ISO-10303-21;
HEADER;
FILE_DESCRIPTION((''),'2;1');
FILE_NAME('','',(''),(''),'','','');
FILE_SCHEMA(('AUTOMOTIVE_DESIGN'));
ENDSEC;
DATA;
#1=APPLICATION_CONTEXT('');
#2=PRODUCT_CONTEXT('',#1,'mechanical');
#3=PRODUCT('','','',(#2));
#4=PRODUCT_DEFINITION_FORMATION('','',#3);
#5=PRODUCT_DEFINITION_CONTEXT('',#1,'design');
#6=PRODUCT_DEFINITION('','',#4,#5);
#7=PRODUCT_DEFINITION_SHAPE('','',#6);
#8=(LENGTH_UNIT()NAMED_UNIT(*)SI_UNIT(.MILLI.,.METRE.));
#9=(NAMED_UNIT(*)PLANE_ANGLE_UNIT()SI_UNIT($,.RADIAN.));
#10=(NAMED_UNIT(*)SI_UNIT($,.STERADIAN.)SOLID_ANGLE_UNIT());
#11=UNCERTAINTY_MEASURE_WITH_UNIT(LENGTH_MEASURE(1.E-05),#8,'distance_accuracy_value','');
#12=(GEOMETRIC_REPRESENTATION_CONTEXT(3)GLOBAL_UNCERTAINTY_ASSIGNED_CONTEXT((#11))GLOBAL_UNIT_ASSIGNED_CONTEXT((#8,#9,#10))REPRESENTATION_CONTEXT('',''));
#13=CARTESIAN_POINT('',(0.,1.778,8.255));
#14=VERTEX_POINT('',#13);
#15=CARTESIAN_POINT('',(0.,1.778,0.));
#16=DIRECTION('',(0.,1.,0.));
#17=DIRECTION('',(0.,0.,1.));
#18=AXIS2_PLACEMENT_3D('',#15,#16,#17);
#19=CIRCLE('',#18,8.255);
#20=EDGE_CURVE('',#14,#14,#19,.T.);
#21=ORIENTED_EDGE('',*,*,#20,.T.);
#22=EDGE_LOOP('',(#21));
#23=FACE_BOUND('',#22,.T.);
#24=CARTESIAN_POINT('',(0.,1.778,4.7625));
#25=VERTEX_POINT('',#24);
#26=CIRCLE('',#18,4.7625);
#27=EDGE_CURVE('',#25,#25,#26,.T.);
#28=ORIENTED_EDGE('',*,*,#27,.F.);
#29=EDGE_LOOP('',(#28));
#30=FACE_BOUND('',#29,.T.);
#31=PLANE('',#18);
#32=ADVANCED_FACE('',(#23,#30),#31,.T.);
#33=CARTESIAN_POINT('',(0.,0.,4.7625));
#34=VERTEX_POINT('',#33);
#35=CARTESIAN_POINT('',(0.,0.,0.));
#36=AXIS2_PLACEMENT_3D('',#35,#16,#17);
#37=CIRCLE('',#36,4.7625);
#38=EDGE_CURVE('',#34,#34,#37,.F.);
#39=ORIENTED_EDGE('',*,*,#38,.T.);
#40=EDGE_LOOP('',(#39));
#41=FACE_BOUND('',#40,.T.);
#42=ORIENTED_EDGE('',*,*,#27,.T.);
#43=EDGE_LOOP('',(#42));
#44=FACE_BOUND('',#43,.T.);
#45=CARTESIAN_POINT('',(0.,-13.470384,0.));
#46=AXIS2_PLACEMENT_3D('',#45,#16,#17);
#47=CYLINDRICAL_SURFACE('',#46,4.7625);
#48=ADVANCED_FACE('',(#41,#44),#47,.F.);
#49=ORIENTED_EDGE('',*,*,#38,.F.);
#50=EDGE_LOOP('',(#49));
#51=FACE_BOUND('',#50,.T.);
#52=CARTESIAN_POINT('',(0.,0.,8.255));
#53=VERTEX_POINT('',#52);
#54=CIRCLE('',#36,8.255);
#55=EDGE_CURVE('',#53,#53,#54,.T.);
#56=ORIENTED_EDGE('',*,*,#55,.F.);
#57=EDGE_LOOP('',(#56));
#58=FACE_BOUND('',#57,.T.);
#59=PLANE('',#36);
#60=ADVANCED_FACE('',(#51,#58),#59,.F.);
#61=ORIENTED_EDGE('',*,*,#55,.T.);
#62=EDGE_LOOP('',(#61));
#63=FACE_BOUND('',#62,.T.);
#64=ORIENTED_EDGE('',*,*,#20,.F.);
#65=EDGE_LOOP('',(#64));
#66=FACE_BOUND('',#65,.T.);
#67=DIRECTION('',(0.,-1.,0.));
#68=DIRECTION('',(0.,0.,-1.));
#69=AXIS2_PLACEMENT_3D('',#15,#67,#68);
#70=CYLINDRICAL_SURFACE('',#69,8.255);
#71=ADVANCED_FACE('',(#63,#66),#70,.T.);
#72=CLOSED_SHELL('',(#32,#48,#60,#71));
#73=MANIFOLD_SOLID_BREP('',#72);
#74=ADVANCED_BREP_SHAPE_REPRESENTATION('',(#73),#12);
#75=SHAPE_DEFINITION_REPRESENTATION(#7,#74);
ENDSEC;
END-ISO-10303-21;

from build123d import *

# Parameters (mm, degrees)
SKETCH1_R           = 8.255
BOSS_EXTRUDE1_DEPTH = 1.778
SKETCH2_R           = 4.7625
CUT_EXTRUDE1_DEPTH  = 1.778


with BuildPart() as part:
    # Sketch1 → Boss-Extrude1 (new body)
    with BuildSketch(Plane(origin=(0, 0, 0), x_dir=(1, 0, 0), z_dir=(0, 1, 0))):
        with Locations(Location((0, 0, 0), (0, 0, 270))):
            Circle(SKETCH1_R)
    extrude(amount=BOSS_EXTRUDE1_DEPTH)

    # Sketch2 → Cut-Extrude1 (cut)
    with BuildSketch(Plane(origin=(0, 1.778, 0), x_dir=(1, 0, 0), z_dir=(0, 1, 0))):
        with Locations(Location((0, 0, 0), (0, 0, 270))):
            Circle(SKETCH2_R)
    extrude(amount=-CUT_EXTRUDE1_DEPTH, mode=Mode.SUBTRACT)


solid = part.part
